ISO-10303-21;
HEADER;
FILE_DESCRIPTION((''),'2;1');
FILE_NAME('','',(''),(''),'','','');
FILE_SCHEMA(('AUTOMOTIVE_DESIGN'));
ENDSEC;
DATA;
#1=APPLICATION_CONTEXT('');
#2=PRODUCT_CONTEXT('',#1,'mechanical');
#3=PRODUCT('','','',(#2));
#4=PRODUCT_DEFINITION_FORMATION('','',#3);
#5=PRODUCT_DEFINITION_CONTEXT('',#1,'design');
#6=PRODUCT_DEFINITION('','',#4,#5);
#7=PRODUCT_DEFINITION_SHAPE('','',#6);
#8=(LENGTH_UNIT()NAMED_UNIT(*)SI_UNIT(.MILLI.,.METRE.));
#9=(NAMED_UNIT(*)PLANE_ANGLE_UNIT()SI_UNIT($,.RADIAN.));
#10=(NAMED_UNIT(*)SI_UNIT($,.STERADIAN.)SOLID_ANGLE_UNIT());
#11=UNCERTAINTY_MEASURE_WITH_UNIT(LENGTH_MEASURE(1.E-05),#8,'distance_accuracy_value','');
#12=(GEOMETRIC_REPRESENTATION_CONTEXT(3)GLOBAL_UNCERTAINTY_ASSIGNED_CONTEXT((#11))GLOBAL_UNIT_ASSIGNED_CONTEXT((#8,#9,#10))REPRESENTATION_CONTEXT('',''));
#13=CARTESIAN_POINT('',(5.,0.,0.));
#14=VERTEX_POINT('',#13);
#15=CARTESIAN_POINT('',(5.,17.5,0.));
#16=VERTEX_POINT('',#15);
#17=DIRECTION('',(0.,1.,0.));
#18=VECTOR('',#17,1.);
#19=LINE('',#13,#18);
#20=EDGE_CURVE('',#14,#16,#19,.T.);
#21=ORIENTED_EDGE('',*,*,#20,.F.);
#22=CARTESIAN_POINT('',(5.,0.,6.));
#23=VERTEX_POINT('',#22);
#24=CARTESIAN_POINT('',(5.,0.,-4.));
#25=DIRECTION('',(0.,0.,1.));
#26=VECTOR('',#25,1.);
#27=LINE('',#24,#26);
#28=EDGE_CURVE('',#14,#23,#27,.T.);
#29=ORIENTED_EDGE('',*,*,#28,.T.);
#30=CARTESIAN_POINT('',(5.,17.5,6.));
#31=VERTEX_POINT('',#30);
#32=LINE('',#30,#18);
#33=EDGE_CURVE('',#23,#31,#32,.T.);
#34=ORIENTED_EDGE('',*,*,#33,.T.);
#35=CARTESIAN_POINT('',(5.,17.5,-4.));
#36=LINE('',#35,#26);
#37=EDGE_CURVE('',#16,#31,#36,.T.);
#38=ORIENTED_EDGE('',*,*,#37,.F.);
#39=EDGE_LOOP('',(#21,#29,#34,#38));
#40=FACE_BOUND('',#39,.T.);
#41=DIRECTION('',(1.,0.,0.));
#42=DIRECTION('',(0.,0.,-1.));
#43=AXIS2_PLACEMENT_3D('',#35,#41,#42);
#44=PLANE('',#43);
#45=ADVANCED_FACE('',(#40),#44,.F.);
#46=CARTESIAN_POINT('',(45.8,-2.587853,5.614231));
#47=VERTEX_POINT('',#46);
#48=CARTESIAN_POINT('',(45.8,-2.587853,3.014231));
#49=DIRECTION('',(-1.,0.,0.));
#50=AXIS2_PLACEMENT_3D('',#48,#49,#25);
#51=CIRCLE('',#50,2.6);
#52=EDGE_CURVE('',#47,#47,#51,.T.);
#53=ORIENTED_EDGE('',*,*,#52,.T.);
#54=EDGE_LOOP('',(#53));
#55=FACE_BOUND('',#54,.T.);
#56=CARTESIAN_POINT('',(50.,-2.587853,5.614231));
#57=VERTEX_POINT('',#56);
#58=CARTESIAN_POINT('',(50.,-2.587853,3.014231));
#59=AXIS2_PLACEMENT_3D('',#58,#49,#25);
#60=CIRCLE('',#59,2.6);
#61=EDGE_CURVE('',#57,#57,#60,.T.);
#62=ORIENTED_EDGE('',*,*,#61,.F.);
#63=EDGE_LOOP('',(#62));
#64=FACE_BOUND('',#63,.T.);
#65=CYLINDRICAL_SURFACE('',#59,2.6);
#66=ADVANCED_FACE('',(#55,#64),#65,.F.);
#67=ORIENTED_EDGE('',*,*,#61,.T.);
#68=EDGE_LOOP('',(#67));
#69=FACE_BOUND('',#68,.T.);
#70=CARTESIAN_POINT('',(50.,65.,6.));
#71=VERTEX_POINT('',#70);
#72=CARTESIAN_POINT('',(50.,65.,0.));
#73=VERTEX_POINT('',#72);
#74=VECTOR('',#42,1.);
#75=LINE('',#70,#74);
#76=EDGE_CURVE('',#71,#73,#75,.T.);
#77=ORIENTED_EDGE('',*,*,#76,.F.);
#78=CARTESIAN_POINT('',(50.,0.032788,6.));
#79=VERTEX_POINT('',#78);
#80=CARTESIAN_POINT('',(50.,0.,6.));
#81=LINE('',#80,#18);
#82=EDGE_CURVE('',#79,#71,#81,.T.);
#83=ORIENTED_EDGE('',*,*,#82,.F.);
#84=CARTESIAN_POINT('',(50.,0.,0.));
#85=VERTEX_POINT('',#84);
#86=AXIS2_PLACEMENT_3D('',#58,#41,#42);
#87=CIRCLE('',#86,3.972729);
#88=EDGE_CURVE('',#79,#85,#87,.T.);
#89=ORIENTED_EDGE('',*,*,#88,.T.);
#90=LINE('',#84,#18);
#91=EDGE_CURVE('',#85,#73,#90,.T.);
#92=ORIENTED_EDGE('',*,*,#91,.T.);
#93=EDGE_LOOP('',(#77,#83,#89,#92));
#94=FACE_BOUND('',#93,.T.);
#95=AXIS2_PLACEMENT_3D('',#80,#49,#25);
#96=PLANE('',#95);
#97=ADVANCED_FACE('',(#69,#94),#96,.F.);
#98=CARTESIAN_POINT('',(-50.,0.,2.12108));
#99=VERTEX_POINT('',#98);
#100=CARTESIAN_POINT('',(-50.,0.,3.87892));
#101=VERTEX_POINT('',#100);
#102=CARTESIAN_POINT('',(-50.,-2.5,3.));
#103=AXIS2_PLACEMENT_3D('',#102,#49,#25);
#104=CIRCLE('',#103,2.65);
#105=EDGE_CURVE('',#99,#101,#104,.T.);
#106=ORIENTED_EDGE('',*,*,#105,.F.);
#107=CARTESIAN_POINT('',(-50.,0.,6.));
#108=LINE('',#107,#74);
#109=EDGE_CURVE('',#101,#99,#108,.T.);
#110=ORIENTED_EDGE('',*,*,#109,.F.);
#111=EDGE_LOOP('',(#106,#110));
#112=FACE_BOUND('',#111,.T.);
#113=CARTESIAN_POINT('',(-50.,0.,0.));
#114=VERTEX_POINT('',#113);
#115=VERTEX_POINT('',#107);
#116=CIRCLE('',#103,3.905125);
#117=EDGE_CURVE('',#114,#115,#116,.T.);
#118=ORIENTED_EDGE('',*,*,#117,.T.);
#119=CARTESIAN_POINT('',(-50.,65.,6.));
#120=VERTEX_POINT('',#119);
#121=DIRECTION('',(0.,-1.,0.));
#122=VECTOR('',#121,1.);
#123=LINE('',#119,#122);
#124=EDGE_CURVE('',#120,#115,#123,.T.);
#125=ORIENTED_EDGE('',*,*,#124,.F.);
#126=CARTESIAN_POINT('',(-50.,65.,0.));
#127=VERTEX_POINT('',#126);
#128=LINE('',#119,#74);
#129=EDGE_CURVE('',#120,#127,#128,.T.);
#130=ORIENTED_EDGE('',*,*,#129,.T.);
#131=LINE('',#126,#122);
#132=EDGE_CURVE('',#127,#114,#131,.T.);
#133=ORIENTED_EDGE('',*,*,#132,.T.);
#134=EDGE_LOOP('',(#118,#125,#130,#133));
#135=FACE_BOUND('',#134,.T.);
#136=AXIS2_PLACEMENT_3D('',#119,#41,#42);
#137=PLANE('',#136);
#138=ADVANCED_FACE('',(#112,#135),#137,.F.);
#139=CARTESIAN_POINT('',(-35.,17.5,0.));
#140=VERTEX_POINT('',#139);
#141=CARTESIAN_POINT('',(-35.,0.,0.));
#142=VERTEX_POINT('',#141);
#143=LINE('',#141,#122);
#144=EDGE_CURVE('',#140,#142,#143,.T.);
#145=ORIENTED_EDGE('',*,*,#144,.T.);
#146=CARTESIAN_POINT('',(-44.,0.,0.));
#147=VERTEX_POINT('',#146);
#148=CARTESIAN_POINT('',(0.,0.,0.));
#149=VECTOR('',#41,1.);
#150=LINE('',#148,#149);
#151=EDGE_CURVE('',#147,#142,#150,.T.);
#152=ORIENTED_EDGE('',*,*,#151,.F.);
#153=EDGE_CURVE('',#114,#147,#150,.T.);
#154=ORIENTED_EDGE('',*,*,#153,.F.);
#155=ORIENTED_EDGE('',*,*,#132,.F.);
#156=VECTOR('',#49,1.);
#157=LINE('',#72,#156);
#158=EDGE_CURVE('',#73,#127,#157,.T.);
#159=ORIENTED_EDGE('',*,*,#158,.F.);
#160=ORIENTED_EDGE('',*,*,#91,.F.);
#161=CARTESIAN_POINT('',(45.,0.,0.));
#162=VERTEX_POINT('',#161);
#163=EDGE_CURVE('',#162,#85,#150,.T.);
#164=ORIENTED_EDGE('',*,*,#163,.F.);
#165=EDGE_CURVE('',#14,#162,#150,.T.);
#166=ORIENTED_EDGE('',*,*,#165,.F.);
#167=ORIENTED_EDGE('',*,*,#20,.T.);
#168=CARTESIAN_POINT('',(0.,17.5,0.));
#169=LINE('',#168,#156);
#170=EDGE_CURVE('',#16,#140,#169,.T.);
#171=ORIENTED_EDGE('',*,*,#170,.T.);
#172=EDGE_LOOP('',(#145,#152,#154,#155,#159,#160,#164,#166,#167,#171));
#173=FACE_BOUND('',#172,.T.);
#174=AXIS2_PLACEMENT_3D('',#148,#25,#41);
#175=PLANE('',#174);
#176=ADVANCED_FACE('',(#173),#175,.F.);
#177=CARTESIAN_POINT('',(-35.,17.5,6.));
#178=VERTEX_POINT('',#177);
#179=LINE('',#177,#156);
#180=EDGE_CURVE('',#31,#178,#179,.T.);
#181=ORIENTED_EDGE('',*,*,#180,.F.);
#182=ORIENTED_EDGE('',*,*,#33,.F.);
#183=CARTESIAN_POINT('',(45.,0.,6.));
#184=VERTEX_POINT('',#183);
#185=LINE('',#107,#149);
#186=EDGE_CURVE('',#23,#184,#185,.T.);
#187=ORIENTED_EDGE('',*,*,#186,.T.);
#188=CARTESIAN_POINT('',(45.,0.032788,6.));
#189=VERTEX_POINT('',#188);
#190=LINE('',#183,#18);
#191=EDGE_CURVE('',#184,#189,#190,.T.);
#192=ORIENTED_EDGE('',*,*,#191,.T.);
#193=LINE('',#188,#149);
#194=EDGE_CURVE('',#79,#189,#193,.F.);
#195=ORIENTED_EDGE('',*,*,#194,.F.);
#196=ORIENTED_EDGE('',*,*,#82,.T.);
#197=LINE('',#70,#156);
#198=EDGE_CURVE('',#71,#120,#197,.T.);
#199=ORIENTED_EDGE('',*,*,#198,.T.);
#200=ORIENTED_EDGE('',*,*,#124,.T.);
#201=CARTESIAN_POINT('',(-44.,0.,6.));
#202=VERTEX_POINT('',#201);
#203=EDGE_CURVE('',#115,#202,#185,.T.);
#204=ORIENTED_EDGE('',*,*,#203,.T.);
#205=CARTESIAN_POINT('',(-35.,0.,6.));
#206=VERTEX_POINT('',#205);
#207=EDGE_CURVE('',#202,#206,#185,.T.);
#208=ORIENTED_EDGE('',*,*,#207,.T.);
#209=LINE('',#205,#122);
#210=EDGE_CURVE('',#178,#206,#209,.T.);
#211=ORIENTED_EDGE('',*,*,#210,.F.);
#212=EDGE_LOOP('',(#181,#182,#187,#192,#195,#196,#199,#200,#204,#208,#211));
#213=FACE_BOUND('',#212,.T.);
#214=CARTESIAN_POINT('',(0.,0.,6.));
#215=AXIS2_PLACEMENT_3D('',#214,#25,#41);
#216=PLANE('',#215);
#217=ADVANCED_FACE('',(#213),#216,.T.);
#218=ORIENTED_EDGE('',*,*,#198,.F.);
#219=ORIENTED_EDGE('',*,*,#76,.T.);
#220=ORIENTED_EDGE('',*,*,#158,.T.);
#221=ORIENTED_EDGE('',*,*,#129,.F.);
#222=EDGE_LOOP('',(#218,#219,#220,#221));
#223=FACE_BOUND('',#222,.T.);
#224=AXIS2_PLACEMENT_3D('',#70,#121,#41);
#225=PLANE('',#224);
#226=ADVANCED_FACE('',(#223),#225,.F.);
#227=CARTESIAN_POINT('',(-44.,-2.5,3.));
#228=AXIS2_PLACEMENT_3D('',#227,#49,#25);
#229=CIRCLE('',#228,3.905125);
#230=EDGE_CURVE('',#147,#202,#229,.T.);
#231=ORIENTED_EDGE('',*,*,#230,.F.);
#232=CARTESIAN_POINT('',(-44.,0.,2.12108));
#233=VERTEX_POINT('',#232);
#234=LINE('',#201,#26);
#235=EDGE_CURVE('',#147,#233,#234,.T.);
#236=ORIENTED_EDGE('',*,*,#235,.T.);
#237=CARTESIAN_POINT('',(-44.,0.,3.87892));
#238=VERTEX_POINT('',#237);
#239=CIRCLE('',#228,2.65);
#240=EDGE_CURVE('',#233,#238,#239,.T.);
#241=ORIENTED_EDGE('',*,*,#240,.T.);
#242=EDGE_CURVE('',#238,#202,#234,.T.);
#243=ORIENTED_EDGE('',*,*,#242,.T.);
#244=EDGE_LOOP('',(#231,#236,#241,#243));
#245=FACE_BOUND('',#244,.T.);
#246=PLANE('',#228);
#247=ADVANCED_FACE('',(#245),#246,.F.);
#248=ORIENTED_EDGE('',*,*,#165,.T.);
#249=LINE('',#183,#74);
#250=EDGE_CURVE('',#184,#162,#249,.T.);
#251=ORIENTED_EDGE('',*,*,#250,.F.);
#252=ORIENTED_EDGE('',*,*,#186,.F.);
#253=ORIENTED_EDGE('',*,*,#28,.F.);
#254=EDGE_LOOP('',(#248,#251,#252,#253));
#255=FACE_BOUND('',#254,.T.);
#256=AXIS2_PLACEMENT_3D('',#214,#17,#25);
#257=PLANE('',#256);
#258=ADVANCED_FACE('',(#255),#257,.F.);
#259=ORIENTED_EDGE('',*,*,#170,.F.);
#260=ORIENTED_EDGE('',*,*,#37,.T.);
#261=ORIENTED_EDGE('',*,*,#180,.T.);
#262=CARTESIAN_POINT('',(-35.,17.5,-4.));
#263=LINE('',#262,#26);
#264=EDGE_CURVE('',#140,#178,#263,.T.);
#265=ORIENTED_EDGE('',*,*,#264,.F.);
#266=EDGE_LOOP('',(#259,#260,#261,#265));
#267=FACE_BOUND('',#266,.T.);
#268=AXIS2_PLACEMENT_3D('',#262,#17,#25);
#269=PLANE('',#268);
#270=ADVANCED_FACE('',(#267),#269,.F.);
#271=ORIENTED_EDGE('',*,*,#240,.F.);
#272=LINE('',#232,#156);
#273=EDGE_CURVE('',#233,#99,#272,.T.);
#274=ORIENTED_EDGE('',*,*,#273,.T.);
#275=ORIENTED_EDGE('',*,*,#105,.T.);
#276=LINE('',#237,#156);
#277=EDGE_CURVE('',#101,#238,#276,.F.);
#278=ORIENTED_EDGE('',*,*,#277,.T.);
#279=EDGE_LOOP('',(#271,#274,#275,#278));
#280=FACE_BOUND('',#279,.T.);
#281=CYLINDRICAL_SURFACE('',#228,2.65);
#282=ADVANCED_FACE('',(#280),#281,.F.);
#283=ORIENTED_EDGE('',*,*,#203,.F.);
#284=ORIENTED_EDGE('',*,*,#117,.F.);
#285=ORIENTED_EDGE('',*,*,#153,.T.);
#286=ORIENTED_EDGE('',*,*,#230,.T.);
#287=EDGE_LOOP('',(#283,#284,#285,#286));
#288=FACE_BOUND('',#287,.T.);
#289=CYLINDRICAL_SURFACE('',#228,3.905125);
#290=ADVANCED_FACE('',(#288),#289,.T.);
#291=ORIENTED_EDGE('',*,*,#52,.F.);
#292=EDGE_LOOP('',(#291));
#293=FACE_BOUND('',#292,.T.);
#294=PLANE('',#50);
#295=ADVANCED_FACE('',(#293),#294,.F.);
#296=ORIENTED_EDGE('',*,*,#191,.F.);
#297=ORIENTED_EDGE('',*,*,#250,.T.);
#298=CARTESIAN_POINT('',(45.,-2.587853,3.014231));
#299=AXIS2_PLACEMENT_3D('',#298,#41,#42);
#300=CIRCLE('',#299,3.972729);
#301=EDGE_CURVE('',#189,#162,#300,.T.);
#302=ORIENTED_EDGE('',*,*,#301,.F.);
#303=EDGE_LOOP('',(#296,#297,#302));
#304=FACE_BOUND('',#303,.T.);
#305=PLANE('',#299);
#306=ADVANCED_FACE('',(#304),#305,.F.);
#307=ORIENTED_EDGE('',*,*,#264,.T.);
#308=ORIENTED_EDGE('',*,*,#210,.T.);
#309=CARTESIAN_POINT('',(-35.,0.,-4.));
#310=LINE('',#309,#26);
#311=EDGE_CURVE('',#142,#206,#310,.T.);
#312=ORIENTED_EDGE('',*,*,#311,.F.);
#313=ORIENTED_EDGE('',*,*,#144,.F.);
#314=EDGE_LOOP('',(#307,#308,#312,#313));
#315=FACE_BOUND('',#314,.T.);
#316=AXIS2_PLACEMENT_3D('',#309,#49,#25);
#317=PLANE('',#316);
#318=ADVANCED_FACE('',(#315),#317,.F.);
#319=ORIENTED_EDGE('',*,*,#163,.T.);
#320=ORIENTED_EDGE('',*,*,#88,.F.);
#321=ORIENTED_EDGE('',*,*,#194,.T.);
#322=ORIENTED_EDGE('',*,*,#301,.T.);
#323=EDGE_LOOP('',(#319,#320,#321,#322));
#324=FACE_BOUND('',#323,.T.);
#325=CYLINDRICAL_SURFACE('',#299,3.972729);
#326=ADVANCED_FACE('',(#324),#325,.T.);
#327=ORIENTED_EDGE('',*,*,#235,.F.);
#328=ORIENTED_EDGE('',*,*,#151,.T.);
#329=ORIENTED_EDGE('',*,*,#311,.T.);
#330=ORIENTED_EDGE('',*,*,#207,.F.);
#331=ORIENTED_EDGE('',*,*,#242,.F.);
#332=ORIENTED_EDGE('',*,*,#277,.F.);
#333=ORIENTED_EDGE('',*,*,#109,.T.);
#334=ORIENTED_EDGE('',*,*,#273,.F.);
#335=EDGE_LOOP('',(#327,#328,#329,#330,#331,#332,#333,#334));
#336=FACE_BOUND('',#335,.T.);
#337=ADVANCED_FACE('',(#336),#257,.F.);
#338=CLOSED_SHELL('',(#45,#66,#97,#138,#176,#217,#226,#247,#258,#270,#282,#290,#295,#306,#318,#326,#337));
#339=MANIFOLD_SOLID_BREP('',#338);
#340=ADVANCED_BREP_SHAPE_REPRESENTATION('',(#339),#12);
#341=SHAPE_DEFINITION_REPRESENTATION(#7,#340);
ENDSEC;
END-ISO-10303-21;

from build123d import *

# Parameters (mm, degrees)
EXTRUDE_1_DEPTH     = 6
SKETCH_2_R          = 3.905124838
SKETCH_2_R_2        = 2.65
EXTRUDE_6_DEPTH     = 6
SKETCH_3_R          = 3.972728699
EXTRUDE_7_DEPTH     = 5
CUT_EXTRUDE_START   = -0.8
SKETCH_4_R          = 2.6
CUT_EXTRUDE_1_DEPTH = 4.2
SKETCH_5_W          = 40
SKETCH_5_H          = 17.5
CUT_EXTRUDE_2_DEPTH = 10


with BuildPart() as part:
    # 草图1 → 凸台-拉伸1 (new body)
    with BuildSketch(Plane.XY):
        Polygon((0, 0), (50, 0), (50, 65), (-50, 65), (-50, 0), align=None)
    extrude(amount=EXTRUDE_1_DEPTH)

    # 草图2 → 凸台-拉伸6 (add)
    with BuildSketch(Plane.ZY.offset(50)):
        with Locations((3, -2.5)):
            Circle(SKETCH_2_R)
        with Locations((3, -2.5)):
            Circle(SKETCH_2_R_2, mode=Mode.SUBTRACT)
    extrude(amount=-EXTRUDE_6_DEPTH)

    # 草图3 → 凸台-拉伸7 (add)
    with BuildSketch(Plane(origin=(50, 0, 0), x_dir=(0, 0, -1), z_dir=(1, 0, 0))):
        with Locations((-3.014231345, -2.587852917)):
            Circle(SKETCH_3_R)
    extrude(amount=-EXTRUDE_7_DEPTH)

    # 草图4 → 切除-拉伸1 (cut)
    with BuildSketch(Plane.ZY.offset(-45).offset(CUT_EXTRUDE_START)):
        with Locations((3.014231345, -2.587852917)):
            Circle(SKETCH_4_R)
    extrude(amount=-CUT_EXTRUDE_1_DEPTH, mode=Mode.SUBTRACT)

    # 草图5 → 切除-拉伸2 (cut)
    with BuildSketch(Plane.XY.offset(6)):
        with Locations((-15, 8.75)):
            Rectangle(SKETCH_5_W, SKETCH_5_H)
    extrude(amount=-CUT_EXTRUDE_2_DEPTH, mode=Mode.SUBTRACT)


solid = part.part
